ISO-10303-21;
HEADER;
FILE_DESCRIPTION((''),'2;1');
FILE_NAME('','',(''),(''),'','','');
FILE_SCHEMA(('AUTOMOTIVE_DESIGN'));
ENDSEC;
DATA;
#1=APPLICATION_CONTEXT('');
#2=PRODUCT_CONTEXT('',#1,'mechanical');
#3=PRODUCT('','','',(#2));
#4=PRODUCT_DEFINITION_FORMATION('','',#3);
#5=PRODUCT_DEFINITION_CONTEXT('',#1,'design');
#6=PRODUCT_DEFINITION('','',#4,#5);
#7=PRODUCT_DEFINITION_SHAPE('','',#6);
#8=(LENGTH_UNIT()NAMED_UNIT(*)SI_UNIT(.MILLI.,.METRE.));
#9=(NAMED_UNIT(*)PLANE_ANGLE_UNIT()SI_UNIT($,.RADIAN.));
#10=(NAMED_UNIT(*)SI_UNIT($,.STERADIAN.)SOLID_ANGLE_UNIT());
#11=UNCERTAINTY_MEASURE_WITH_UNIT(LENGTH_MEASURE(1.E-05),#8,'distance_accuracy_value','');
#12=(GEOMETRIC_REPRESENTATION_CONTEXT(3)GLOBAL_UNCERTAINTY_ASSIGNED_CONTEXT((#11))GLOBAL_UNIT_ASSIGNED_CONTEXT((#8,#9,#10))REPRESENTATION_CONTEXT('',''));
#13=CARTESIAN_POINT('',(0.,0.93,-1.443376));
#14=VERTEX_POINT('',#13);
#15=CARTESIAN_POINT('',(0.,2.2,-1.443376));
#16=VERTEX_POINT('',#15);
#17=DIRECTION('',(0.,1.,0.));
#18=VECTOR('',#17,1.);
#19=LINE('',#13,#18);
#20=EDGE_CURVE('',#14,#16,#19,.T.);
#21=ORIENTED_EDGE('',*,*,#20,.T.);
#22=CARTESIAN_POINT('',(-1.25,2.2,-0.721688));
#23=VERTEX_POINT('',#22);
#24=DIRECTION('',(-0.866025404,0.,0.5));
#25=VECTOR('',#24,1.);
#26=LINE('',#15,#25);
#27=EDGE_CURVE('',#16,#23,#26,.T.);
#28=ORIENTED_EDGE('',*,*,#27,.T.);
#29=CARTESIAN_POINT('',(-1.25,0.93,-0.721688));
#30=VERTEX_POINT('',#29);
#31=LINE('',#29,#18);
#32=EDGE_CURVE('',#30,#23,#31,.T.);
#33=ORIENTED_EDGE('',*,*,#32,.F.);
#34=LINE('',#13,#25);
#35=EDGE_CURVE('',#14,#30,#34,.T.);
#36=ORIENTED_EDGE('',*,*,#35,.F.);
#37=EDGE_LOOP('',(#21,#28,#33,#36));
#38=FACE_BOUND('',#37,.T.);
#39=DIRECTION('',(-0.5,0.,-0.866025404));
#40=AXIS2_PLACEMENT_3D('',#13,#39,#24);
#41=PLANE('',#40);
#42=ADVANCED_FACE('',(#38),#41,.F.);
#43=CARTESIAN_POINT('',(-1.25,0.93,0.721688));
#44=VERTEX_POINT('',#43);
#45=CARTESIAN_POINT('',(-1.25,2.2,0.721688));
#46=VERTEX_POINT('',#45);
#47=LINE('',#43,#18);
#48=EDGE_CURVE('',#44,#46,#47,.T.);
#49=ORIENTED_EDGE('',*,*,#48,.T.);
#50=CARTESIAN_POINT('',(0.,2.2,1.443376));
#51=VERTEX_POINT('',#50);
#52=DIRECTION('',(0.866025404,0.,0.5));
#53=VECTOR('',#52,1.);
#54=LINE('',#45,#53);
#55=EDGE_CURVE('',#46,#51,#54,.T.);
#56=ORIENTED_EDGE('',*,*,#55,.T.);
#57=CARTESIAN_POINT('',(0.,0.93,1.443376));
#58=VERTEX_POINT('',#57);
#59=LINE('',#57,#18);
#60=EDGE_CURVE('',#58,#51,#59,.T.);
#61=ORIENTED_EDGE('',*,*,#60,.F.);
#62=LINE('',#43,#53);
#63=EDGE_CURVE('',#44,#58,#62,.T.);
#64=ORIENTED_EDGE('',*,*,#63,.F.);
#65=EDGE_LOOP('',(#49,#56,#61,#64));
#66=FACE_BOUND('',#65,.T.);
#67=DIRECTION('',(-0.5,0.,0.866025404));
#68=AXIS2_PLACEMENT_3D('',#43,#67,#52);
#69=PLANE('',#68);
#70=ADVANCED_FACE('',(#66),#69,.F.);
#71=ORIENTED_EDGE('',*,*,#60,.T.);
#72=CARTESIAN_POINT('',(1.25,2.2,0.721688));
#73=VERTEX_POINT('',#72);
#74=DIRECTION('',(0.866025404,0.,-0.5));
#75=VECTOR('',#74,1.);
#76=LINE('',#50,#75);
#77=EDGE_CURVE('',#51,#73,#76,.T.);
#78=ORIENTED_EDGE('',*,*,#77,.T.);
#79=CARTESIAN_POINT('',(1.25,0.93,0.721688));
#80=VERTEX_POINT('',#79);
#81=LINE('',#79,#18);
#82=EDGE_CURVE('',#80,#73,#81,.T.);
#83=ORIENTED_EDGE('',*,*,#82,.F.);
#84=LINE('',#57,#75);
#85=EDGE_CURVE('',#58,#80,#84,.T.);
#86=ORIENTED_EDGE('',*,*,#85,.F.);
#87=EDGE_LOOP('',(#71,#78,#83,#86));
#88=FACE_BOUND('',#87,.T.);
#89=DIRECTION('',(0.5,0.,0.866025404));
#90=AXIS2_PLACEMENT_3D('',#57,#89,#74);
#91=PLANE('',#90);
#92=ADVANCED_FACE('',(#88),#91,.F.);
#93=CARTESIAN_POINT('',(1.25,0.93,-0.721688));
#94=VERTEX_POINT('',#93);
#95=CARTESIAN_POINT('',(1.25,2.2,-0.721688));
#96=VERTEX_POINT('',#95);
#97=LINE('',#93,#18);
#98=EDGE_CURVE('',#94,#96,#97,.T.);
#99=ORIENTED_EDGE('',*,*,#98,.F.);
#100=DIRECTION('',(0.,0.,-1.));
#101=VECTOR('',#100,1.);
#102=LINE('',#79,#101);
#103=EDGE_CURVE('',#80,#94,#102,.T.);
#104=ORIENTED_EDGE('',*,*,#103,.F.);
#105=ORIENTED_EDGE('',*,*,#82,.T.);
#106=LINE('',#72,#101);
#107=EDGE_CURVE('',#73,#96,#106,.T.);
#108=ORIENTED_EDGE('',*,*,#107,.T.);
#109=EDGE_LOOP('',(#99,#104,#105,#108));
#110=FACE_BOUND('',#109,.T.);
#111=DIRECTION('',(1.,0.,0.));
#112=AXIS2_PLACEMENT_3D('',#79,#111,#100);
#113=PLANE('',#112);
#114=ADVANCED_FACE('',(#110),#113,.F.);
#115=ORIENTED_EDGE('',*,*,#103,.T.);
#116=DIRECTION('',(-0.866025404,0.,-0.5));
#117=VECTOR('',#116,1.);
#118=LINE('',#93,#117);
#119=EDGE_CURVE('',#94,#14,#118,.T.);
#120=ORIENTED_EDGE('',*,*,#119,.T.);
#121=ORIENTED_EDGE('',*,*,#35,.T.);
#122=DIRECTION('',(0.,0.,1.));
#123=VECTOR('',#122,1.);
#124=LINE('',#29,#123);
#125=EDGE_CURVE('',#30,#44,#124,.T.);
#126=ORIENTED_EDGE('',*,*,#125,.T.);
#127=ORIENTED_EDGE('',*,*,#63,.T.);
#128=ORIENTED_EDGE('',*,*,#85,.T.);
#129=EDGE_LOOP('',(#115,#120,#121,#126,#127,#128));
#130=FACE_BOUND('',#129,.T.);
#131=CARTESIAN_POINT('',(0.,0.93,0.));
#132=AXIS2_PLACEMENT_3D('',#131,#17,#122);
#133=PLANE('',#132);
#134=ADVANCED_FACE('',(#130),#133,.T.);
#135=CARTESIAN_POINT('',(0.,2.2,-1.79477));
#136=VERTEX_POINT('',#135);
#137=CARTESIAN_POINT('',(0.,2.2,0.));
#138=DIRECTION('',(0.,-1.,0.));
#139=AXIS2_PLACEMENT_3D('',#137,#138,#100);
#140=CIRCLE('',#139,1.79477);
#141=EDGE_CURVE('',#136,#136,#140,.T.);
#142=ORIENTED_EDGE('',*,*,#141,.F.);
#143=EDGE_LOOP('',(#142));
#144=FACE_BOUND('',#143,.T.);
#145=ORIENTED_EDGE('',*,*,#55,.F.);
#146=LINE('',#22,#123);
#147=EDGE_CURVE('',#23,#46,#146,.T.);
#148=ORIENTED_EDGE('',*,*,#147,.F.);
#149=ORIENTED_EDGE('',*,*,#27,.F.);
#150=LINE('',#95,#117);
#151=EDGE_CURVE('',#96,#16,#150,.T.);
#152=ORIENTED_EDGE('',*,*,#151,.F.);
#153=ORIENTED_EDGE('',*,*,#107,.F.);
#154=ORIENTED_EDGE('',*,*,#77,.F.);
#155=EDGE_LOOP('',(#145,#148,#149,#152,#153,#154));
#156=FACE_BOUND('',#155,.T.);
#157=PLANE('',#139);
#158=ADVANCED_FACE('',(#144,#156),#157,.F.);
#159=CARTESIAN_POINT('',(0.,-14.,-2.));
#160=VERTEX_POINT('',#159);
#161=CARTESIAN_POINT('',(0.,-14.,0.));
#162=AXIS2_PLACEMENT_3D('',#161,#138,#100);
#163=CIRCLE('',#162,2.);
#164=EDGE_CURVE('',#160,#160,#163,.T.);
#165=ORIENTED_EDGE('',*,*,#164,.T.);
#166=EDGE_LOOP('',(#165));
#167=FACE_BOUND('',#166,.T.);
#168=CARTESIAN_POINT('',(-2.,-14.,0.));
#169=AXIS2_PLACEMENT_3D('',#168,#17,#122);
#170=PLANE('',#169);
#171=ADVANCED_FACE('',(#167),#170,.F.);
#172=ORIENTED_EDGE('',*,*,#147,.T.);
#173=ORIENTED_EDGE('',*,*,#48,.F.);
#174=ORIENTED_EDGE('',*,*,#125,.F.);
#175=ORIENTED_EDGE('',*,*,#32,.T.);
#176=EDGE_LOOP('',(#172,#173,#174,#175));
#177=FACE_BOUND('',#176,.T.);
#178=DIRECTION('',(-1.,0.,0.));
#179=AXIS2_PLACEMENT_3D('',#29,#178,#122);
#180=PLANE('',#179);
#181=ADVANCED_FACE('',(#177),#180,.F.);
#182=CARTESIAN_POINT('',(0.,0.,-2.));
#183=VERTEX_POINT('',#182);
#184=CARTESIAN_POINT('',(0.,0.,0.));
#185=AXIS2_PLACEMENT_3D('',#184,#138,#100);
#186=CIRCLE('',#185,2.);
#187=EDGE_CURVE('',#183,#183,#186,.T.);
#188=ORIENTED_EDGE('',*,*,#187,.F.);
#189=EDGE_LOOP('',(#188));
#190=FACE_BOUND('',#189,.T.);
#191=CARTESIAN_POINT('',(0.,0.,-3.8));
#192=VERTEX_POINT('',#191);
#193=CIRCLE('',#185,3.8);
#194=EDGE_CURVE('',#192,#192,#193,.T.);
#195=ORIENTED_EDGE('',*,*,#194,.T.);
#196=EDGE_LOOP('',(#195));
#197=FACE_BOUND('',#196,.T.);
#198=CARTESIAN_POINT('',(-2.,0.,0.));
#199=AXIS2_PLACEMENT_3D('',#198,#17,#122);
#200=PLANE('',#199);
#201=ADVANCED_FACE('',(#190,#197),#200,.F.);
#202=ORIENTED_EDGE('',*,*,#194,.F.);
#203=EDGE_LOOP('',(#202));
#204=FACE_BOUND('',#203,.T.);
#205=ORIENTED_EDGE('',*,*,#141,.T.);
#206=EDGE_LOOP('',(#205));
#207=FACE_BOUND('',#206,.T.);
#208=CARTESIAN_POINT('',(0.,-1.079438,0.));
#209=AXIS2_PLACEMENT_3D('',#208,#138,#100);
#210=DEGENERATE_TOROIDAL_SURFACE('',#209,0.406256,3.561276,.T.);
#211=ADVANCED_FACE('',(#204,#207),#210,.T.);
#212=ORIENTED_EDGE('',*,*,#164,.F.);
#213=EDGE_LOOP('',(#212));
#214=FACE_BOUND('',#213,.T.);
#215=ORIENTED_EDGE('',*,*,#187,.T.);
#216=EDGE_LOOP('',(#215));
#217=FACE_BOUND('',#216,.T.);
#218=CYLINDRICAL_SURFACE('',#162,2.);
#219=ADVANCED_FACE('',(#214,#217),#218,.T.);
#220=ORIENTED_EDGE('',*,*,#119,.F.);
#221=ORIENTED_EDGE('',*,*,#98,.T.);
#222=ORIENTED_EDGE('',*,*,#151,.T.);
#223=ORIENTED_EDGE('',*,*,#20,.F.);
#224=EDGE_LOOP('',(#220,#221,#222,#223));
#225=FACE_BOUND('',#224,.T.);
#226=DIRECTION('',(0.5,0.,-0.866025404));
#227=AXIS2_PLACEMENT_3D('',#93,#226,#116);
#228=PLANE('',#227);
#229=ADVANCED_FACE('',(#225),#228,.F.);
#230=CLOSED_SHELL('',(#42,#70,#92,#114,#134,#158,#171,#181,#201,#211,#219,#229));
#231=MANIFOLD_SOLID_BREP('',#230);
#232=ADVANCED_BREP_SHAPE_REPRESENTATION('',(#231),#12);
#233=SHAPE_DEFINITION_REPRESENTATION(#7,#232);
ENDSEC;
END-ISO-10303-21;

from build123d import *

# Parameters (mm, degrees)
CUT_EXTRUDE1_DEPTH = 1.27


with BuildPart() as part:
    # Sketch1 → Revolve1 (revolve)
    with BuildSketch(Plane.XY):
        with BuildLine():
            Line((-2, 0), (-3.8, 0))
            ThreePointArc((-3.8, 0), (-3.038270032, 1.319559026), (-1.79477003, 2.2))
            Line((-1.79477003, 2.2), (0, 2.2))
            Line((0, 2.2), (0, -14))
            Line((0, -14), (-2, -14))
            Line((-2, -14), (-2, 0))
        make_face()
    revolve(axis=Axis((0, -14, 0), (0, 1, 0)))

    # Sketch2 → Cut-Extrude1 (cut)
    with BuildSketch(Plane(origin=(0, 2.2, 0), x_dir=(1, 0, 0), z_dir=(0, 1, 0))):
        Polygon((-1.25, 0.721687836), (-1.25, -0.721687836), (0, -1.443375673), (1.25, -0.721687836), (1.25, 0.721687836), (0, 1.443375673), align=None)
    extrude(amount=-CUT_EXTRUDE1_DEPTH, mode=Mode.SUBTRACT)


solid = part.part
